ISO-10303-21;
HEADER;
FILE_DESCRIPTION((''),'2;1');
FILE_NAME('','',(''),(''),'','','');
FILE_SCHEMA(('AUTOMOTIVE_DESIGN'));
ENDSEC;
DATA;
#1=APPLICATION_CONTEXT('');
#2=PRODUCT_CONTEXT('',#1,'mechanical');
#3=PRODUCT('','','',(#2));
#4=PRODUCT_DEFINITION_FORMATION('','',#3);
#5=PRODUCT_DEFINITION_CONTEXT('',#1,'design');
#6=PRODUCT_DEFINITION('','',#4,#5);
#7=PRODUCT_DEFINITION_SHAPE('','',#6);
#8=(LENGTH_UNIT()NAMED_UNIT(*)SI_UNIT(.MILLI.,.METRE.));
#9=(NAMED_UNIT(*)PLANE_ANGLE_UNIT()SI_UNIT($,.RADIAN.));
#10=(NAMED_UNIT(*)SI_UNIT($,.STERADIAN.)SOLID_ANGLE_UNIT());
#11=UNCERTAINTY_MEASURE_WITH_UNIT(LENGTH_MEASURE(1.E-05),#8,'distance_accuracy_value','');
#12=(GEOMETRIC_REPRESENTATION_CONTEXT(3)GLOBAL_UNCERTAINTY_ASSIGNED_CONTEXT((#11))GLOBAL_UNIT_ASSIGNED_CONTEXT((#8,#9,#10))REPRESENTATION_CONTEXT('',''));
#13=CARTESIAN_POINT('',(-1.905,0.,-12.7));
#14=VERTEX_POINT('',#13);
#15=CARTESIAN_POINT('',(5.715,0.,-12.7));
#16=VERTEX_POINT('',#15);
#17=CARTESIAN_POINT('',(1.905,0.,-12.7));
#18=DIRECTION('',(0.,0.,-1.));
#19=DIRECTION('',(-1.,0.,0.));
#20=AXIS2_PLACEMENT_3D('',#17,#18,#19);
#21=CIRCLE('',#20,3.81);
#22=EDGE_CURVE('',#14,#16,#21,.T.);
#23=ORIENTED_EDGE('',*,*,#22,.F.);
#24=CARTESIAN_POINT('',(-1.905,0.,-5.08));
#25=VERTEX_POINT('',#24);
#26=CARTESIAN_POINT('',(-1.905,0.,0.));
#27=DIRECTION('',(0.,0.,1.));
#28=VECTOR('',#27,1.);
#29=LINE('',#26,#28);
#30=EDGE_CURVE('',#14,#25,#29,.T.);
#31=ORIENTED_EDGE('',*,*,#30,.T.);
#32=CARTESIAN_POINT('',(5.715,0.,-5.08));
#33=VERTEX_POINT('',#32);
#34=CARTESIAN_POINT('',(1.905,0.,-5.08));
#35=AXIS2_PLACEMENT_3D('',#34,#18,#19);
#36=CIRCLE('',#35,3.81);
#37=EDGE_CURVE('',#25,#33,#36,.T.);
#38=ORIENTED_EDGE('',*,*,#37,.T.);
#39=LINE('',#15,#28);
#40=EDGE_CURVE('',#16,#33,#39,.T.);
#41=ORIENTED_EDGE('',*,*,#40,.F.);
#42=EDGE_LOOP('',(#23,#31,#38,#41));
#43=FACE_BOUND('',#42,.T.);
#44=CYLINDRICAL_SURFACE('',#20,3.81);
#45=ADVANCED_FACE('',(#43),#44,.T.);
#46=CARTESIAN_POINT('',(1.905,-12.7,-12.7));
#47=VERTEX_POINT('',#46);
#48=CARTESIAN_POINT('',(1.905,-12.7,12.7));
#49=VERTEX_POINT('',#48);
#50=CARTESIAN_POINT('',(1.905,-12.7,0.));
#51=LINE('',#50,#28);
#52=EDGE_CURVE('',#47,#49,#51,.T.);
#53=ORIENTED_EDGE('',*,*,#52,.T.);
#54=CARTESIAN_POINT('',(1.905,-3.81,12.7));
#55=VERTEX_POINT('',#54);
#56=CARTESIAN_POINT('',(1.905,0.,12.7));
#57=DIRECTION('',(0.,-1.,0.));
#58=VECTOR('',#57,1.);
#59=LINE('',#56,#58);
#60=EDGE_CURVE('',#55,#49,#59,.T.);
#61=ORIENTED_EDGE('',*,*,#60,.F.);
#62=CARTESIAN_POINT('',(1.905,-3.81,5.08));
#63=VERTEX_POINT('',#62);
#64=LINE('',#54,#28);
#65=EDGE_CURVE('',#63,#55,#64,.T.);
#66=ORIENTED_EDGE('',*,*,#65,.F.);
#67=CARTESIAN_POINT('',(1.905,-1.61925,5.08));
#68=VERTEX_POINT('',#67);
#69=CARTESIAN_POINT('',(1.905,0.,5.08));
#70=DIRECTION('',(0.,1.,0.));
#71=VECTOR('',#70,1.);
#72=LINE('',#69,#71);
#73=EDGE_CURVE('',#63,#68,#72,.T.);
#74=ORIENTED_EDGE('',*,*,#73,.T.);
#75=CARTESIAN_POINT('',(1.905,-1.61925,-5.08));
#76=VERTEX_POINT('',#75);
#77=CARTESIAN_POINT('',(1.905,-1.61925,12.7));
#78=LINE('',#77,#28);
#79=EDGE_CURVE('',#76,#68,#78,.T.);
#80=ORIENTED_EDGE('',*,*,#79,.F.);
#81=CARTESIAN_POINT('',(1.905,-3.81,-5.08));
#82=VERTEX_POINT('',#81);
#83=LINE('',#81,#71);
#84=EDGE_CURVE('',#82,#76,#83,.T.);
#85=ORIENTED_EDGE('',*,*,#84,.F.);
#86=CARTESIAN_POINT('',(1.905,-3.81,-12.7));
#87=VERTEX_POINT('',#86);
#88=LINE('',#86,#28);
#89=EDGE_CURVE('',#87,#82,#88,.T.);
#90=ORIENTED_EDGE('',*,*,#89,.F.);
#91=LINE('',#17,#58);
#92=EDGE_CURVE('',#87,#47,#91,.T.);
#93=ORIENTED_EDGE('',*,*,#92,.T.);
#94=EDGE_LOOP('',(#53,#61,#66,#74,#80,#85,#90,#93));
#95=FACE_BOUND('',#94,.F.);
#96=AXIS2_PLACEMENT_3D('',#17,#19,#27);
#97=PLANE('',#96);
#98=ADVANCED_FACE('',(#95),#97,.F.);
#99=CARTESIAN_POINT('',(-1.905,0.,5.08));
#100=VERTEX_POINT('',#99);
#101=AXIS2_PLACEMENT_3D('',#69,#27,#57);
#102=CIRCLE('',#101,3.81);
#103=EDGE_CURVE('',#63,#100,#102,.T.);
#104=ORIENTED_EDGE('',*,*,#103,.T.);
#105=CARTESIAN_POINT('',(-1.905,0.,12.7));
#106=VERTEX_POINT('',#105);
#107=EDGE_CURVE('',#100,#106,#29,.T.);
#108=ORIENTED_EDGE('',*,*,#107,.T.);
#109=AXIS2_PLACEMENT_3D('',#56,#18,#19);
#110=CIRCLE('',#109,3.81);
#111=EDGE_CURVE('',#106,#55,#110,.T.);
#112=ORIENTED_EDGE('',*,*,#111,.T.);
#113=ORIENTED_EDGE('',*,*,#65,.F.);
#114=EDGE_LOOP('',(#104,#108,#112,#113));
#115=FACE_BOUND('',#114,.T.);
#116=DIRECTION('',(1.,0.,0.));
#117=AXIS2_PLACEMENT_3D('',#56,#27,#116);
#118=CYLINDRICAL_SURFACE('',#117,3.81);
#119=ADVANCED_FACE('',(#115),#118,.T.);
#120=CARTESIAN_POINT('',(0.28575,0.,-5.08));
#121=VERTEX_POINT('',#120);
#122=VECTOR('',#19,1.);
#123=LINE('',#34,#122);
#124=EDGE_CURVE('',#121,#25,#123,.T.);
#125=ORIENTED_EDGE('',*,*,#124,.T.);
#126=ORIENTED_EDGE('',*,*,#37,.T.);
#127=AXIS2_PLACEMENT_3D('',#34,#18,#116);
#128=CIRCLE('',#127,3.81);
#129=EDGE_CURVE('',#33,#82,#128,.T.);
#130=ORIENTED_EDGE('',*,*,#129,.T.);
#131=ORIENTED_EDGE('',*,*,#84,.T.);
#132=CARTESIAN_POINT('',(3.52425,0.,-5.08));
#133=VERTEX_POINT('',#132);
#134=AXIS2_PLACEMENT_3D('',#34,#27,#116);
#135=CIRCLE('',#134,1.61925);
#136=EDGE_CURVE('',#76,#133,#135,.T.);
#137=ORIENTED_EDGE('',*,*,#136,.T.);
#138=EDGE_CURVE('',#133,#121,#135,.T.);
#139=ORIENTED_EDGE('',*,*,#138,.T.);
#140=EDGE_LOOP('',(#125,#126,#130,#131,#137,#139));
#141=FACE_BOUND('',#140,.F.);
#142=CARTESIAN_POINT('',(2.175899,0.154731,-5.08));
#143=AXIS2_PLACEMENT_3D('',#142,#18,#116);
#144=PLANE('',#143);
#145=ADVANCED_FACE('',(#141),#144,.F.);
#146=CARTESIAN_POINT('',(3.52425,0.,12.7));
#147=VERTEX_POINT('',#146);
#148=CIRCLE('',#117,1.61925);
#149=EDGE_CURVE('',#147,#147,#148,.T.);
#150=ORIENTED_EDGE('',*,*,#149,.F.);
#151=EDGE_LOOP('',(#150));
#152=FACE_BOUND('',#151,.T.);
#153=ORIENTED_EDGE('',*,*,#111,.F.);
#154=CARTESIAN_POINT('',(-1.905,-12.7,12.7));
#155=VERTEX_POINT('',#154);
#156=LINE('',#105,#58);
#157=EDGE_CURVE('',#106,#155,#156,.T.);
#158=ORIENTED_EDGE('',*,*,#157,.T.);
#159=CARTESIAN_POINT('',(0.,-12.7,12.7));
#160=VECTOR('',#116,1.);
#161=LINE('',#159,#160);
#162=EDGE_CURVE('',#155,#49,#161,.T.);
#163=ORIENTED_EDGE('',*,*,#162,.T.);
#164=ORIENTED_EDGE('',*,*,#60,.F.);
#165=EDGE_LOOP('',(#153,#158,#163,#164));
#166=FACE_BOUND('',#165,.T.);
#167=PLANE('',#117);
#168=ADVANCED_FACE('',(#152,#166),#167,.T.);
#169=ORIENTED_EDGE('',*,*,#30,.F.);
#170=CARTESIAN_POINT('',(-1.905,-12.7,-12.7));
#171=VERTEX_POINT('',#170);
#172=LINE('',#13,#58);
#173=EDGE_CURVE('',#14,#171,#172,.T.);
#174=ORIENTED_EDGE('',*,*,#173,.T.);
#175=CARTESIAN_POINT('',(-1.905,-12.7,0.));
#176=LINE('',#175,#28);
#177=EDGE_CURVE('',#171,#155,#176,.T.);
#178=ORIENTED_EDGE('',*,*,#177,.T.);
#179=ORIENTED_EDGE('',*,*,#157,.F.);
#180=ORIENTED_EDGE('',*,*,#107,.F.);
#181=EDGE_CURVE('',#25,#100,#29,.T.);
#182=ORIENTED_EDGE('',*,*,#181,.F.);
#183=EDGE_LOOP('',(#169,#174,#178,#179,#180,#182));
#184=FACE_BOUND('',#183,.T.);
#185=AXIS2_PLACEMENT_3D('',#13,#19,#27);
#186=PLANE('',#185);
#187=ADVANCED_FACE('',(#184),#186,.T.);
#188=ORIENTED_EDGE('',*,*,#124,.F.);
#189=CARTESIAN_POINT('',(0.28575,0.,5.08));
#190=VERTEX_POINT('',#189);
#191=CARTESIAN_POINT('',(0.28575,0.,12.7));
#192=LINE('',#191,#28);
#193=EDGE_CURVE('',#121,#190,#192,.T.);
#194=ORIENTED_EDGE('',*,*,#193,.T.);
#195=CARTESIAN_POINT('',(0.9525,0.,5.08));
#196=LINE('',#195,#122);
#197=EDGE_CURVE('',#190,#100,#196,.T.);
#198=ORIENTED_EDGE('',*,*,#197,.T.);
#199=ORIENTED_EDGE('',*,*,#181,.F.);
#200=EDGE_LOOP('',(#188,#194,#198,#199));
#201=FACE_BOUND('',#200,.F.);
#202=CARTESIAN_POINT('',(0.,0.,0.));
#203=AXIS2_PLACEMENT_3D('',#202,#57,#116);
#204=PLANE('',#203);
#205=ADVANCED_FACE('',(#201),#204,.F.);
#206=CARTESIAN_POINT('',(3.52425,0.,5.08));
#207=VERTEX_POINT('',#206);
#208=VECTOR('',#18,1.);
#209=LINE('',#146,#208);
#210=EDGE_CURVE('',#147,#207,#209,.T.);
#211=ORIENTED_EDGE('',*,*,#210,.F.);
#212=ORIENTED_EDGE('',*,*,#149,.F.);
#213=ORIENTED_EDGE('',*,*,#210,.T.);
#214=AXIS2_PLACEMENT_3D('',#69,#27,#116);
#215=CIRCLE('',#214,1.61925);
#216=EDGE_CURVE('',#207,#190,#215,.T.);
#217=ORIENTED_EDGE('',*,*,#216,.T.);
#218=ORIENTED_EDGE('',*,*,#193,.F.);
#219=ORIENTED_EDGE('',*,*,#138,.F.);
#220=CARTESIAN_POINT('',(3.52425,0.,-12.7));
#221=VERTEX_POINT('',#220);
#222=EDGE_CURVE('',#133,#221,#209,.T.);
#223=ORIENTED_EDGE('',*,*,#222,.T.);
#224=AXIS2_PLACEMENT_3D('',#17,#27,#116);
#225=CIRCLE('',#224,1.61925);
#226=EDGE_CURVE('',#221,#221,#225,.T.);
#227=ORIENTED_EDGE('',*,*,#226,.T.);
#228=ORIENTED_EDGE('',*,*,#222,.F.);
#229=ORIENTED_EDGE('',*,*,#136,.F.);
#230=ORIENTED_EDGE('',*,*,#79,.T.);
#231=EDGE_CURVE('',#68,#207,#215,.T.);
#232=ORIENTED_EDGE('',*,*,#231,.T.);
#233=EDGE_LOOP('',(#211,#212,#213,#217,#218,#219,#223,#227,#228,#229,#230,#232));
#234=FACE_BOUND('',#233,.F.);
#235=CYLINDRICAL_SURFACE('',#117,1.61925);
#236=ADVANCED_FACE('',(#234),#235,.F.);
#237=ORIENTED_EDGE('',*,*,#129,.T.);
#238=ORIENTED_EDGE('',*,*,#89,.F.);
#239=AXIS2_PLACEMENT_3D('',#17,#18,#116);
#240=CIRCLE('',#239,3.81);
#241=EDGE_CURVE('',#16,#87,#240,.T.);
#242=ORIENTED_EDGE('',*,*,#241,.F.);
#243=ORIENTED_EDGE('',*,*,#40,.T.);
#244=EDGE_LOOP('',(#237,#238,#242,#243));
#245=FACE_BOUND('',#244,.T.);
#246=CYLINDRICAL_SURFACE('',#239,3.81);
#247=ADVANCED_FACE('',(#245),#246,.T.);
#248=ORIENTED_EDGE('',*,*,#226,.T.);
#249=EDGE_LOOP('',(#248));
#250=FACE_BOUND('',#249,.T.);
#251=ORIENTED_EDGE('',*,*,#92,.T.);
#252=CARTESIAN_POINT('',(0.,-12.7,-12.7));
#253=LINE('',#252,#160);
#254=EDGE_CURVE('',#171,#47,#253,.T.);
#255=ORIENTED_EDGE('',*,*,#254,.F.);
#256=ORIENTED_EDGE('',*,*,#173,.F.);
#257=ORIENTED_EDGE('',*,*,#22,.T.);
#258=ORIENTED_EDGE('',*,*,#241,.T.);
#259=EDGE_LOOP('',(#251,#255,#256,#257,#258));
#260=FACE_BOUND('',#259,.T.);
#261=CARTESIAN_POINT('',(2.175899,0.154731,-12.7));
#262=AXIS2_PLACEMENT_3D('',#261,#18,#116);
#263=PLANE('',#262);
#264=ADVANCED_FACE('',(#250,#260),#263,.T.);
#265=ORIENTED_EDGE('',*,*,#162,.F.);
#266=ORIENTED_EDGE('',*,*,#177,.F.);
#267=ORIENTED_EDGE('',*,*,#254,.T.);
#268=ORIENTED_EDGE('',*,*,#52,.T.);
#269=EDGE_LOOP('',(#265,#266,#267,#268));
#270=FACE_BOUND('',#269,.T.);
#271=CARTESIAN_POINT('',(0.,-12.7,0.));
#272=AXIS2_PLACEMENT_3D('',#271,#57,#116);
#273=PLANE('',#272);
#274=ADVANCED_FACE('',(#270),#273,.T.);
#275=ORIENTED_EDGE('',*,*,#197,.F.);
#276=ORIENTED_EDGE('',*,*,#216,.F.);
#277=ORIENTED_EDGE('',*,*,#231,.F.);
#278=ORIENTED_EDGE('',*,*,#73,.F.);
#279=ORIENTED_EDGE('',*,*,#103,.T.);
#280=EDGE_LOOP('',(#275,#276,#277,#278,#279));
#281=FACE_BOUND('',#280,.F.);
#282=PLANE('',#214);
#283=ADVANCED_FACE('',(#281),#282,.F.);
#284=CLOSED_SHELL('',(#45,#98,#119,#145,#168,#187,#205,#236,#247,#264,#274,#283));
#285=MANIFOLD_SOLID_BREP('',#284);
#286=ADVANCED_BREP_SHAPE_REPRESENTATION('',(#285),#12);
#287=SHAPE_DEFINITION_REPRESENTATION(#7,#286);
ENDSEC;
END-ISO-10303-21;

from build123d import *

# Parameters (mm, degrees)
F0_W     = 3.81
F0_H     = 25.4
F1_DEPTH = 12.7
F2_R     = 3.81
F3_DEPTH = 7.62
F5_DEPTH = 7.62
F6_DEPTH = 7.62
F7_R     = 1.61925
F8_DEPTH = 25.4


with BuildPart() as f1:
    # F0 (on Front) → F1 (new body)
    with BuildSketch(Plane.XZ):
        Rectangle(F0_W, F0_H)
    extrude(amount=F1_DEPTH)

    # F2 (on face) → F3 (join)
    with BuildSketch(Plane.XY.offset(12.7)):
        with Locations((1.905, 0)):
            Circle(F2_R)
    extrude(amount=-F3_DEPTH)

    # F2 (on face) → F5 (join)
    with BuildSketch(Plane.XY.offset(12.7)):
        with Locations((1.905, 0)):
            Circle(F2_R)
    extrude(amount=-F5_DEPTH)

    # F4 (on face) → F6 (join)
    with BuildSketch(Plane(origin=(0, 0, -12.7), x_dir=(1, 0, 0), z_dir=(0, 0, -1))):
        with BuildLine():
            Line((1.905, 0), (-1.905, 0))
            ThreePointArc((-1.905, 0), (1.905, -3.81), (5.715, 0))
            ThreePointArc((5.715, 0), (4.5990768363, 2.6940768363), (1.905, 3.81))
            Line((1.905, 3.81), (1.905, 0))
        make_face()
    extrude(amount=-F6_DEPTH)

    # F7 (on face) → F8 (cut)
    with BuildSketch(Plane.XY.offset(12.7)):
        with Locations((1.905, 0)):
            Circle(F7_R)
    extrude(amount=-F8_DEPTH, mode=Mode.SUBTRACT)


solid = f1.part
